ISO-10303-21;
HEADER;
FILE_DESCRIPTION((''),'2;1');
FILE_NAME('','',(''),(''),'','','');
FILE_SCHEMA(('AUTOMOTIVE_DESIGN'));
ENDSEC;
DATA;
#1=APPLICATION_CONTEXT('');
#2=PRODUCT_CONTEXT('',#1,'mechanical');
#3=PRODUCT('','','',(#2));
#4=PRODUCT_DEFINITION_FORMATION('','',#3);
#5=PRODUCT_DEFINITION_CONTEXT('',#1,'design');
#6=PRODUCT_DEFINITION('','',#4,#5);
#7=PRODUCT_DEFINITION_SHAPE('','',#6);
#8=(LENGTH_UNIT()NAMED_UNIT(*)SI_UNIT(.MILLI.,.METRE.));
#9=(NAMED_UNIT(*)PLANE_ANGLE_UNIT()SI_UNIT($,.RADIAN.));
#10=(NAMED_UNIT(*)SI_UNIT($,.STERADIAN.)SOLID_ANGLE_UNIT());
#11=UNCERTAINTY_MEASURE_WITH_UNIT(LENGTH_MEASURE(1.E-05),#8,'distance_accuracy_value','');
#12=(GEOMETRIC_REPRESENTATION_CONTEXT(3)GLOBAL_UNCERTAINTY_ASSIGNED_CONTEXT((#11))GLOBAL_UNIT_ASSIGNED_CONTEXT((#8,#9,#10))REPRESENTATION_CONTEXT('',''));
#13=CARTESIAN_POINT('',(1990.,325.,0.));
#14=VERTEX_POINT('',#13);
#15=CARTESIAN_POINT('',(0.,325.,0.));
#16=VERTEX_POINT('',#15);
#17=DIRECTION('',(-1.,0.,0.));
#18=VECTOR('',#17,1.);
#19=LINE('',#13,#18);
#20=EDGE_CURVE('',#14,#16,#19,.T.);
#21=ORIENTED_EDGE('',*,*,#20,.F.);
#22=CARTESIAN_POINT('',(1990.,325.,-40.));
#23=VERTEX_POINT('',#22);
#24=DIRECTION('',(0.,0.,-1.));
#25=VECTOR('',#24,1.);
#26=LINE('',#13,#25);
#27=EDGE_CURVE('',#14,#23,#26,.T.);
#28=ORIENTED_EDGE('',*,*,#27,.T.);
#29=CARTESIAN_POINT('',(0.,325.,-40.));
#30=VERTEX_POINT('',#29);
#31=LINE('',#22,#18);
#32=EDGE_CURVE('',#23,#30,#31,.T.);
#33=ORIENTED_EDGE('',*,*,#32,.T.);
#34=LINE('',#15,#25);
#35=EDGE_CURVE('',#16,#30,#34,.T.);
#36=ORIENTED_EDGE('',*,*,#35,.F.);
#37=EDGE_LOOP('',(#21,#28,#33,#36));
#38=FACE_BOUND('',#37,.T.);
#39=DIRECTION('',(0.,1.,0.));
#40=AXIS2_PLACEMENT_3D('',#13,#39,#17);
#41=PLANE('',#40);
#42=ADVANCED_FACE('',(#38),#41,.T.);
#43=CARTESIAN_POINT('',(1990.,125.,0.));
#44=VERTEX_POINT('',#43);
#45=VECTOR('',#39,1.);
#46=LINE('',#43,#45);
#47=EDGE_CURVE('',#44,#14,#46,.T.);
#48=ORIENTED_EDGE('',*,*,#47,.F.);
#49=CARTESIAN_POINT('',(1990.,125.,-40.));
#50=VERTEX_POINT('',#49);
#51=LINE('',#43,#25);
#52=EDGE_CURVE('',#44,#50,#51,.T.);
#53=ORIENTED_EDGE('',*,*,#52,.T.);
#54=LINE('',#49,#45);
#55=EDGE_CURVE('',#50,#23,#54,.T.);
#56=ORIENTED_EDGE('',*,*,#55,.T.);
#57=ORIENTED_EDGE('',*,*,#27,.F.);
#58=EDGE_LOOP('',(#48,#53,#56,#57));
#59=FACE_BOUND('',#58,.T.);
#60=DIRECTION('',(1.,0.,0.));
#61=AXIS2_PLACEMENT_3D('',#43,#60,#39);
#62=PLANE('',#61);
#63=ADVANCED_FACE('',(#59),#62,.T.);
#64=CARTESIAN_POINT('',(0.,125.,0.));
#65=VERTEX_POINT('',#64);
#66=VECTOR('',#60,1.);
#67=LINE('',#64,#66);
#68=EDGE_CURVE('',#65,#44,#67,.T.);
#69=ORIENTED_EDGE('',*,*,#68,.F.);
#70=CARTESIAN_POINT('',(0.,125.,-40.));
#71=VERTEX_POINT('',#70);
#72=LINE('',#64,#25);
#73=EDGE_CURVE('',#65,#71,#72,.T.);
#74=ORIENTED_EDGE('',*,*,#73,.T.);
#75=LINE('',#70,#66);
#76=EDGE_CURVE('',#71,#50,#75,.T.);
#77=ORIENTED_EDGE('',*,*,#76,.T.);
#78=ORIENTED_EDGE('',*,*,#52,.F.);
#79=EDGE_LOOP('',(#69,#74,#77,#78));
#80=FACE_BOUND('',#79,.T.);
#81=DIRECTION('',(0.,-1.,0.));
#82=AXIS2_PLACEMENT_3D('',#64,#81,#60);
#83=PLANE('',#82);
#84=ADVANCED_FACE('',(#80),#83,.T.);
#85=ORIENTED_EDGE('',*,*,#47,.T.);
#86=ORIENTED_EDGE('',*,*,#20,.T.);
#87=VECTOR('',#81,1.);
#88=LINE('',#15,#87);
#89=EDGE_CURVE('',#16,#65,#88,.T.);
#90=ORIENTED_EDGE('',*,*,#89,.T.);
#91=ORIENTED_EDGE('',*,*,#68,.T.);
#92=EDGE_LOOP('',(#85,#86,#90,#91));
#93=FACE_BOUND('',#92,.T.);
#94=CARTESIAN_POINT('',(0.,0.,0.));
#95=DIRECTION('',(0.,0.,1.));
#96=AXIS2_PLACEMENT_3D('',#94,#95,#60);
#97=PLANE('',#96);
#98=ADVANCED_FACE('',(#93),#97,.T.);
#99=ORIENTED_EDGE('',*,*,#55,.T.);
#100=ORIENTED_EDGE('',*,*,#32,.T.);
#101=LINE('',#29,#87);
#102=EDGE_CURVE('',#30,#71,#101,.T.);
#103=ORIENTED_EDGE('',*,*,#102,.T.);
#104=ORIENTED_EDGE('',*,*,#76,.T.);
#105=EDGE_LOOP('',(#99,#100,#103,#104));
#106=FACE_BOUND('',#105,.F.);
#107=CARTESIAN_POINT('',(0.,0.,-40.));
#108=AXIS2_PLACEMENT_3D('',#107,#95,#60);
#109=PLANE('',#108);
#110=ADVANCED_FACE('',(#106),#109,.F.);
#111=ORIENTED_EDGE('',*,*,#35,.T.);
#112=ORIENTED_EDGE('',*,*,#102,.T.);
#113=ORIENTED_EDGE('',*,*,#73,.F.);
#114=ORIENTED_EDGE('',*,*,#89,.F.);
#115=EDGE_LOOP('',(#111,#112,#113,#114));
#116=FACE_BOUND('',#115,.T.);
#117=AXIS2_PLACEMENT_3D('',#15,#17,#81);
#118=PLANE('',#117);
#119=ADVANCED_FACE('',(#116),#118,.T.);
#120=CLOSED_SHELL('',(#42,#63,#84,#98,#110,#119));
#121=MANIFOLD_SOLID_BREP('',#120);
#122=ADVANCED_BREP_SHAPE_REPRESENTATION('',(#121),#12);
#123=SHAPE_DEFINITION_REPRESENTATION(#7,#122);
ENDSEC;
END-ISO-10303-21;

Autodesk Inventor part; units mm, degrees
ref_plane "YZ Plane" through (0, 0, 0) normal (1, 0, 0) x (0, 1, 0)
ref_plane "XZ Plane" through (0, 0, 0) normal (0, 1, 0) x (-1, 0, 0)
ref_plane "XY Plane" through (0, 0, 0) normal (0, 0, 1) x (1, 0, 0)
sketch "Эскиз1" plane through (0, 0, 0) normal (0, 0, 1) x (1, 0, 0)
  line L0 (1990, 325) -> (1990, 125) construction
  line L1 (1990, 325) -> (1950, 325) construction
  line L2 (1950, 125) -> (1950, 325) construction
  line L3 (1990, 125) -> (1950, 125) construction
  line L4 (1990, 325) -> (0, 325)
  line L5 (0, 325) -> (0, 125)
  line L6 (0, 125) -> (1990, 125)
  line L7 (1990, 125) -> (1990, 325)
  line L8 (0, 125) -> (0, 325) construction
  line L9 (0, 125) -> (40, 125) construction
  line L10 (40, 325) -> (40, 125) construction
  line L11 (0, 325) -> (40, 325) construction
extrude "Выдавливание1" add sketch "Эскиз1" against normal blind 40
properties part number "Балка" material "Ясень"
